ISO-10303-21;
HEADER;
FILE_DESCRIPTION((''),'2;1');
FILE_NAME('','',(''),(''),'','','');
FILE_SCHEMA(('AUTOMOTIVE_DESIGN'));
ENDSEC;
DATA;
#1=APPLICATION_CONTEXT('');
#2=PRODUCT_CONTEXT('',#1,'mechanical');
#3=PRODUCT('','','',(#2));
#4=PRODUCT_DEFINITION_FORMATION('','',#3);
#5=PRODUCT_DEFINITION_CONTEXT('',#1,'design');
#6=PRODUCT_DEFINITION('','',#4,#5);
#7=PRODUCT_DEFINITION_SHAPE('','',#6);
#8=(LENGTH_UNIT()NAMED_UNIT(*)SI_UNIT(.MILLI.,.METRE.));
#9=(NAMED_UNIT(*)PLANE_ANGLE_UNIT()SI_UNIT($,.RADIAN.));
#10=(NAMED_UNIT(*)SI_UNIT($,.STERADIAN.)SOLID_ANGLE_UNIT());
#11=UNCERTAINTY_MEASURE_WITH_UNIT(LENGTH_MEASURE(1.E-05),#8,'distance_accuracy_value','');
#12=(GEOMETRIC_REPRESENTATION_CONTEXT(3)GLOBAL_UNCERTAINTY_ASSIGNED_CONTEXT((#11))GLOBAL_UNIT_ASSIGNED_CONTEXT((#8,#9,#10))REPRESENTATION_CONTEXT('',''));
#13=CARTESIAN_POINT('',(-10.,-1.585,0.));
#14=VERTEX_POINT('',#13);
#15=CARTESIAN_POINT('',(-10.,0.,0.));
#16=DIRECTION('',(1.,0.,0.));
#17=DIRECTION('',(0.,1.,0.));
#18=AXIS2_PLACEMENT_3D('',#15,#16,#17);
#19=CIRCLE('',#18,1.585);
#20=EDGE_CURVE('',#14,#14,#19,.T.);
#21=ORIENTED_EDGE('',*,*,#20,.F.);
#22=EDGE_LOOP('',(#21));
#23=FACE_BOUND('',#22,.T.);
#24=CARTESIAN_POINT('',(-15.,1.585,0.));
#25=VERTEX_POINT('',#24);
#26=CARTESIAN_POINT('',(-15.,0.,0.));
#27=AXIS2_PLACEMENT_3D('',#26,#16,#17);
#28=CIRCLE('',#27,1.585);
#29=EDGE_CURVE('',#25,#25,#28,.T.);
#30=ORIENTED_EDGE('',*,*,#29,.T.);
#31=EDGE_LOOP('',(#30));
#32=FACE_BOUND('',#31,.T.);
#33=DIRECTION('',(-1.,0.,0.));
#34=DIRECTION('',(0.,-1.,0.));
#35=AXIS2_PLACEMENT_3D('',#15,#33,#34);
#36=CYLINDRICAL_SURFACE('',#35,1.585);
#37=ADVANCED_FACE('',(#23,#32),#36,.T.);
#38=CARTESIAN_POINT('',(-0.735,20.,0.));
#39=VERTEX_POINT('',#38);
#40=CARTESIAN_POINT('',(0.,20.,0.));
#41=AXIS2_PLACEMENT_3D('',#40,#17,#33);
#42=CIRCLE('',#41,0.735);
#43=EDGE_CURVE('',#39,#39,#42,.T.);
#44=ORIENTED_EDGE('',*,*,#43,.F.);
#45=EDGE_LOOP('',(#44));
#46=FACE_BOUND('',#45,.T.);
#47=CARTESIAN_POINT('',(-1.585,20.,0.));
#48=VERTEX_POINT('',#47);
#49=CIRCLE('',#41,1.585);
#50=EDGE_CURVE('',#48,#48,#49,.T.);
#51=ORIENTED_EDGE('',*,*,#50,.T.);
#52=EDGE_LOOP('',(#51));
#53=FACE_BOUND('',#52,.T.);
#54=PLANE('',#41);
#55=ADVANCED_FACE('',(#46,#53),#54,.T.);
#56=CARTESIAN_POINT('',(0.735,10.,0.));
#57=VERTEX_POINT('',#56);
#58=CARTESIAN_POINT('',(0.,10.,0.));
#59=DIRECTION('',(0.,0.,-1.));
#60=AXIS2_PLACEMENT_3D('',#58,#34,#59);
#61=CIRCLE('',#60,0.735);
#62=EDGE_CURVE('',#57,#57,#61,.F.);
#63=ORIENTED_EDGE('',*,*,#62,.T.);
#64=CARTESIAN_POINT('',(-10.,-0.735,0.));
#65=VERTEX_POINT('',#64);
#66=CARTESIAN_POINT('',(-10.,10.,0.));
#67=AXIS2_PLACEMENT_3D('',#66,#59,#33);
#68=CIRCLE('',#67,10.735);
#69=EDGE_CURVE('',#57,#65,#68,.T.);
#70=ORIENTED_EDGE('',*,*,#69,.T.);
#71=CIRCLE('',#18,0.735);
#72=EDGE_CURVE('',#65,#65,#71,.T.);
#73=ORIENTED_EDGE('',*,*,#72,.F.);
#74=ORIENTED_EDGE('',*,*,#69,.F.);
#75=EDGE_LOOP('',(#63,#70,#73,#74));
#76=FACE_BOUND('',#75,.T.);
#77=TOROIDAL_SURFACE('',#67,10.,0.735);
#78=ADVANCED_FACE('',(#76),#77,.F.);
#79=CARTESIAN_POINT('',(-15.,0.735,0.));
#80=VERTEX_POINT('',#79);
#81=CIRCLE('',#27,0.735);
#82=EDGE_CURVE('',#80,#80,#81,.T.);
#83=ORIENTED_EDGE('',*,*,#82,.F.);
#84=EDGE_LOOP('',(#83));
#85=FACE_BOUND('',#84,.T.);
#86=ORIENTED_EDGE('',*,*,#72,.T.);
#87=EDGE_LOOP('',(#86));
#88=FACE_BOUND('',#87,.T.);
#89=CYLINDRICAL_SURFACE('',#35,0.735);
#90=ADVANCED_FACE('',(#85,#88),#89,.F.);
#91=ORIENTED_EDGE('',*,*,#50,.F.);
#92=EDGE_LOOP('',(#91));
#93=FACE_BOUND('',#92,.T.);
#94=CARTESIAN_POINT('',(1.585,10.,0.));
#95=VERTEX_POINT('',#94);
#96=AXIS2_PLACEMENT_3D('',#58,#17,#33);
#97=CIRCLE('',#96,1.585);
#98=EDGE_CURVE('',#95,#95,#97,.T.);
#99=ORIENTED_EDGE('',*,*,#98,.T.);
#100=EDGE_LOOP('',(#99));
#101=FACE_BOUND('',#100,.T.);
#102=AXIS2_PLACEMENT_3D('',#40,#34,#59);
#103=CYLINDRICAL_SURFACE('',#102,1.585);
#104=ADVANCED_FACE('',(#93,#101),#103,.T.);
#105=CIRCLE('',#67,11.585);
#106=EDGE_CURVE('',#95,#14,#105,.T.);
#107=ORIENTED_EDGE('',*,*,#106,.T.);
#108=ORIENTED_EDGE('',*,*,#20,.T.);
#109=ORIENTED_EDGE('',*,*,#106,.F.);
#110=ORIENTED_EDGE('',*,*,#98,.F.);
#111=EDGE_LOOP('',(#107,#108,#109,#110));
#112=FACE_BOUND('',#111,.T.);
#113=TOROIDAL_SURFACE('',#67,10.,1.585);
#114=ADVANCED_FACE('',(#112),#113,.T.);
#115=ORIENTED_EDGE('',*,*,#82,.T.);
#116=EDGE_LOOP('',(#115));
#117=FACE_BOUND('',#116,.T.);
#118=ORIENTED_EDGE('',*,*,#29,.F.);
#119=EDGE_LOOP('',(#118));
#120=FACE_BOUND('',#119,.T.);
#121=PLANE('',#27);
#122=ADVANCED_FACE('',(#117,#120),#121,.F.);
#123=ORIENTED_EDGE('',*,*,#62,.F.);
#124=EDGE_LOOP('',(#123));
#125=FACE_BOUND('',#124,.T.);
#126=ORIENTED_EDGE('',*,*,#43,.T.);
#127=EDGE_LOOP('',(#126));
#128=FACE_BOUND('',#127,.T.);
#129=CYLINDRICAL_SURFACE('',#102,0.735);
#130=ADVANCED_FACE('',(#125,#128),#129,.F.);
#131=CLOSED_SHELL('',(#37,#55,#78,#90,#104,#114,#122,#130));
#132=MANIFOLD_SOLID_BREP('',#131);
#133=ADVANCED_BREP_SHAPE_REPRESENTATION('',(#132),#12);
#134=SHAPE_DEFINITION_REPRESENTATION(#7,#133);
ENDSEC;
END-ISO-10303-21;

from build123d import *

# Parameters (mm, degrees)
SWEEP_SOTTILE1_PROFILE_R   = 1.585
SWEEP_SOTTILE1_PROFILE_R_2 = 0.735


with BuildPart() as part:
    # Sweep-Sottile1: sweep along a curve in space
    with BuildLine() as sweep_sottile1_path:
        Line((0, 20, 0), (0, 10, 0))
        ThreePointArc((0, 10, 0), (-2.928932188, 2.928932188, 0), (-10, 0, 0))
        Line((-10, 0, 0), (-15, 0, 0))
    # Sweep-Sottile1 profile (on start of the path) → Sweep-Sottile1 (sweep)
    with BuildSketch(Plane(origin=(0, 20, 0), x_dir=(0, 0, -1), z_dir=(0, -1, 0))):
        Circle(SWEEP_SOTTILE1_PROFILE_R)
        Circle(SWEEP_SOTTILE1_PROFILE_R_2, mode=Mode.SUBTRACT)
    sweep(path=sweep_sottile1_path.line)


solid = part.part
